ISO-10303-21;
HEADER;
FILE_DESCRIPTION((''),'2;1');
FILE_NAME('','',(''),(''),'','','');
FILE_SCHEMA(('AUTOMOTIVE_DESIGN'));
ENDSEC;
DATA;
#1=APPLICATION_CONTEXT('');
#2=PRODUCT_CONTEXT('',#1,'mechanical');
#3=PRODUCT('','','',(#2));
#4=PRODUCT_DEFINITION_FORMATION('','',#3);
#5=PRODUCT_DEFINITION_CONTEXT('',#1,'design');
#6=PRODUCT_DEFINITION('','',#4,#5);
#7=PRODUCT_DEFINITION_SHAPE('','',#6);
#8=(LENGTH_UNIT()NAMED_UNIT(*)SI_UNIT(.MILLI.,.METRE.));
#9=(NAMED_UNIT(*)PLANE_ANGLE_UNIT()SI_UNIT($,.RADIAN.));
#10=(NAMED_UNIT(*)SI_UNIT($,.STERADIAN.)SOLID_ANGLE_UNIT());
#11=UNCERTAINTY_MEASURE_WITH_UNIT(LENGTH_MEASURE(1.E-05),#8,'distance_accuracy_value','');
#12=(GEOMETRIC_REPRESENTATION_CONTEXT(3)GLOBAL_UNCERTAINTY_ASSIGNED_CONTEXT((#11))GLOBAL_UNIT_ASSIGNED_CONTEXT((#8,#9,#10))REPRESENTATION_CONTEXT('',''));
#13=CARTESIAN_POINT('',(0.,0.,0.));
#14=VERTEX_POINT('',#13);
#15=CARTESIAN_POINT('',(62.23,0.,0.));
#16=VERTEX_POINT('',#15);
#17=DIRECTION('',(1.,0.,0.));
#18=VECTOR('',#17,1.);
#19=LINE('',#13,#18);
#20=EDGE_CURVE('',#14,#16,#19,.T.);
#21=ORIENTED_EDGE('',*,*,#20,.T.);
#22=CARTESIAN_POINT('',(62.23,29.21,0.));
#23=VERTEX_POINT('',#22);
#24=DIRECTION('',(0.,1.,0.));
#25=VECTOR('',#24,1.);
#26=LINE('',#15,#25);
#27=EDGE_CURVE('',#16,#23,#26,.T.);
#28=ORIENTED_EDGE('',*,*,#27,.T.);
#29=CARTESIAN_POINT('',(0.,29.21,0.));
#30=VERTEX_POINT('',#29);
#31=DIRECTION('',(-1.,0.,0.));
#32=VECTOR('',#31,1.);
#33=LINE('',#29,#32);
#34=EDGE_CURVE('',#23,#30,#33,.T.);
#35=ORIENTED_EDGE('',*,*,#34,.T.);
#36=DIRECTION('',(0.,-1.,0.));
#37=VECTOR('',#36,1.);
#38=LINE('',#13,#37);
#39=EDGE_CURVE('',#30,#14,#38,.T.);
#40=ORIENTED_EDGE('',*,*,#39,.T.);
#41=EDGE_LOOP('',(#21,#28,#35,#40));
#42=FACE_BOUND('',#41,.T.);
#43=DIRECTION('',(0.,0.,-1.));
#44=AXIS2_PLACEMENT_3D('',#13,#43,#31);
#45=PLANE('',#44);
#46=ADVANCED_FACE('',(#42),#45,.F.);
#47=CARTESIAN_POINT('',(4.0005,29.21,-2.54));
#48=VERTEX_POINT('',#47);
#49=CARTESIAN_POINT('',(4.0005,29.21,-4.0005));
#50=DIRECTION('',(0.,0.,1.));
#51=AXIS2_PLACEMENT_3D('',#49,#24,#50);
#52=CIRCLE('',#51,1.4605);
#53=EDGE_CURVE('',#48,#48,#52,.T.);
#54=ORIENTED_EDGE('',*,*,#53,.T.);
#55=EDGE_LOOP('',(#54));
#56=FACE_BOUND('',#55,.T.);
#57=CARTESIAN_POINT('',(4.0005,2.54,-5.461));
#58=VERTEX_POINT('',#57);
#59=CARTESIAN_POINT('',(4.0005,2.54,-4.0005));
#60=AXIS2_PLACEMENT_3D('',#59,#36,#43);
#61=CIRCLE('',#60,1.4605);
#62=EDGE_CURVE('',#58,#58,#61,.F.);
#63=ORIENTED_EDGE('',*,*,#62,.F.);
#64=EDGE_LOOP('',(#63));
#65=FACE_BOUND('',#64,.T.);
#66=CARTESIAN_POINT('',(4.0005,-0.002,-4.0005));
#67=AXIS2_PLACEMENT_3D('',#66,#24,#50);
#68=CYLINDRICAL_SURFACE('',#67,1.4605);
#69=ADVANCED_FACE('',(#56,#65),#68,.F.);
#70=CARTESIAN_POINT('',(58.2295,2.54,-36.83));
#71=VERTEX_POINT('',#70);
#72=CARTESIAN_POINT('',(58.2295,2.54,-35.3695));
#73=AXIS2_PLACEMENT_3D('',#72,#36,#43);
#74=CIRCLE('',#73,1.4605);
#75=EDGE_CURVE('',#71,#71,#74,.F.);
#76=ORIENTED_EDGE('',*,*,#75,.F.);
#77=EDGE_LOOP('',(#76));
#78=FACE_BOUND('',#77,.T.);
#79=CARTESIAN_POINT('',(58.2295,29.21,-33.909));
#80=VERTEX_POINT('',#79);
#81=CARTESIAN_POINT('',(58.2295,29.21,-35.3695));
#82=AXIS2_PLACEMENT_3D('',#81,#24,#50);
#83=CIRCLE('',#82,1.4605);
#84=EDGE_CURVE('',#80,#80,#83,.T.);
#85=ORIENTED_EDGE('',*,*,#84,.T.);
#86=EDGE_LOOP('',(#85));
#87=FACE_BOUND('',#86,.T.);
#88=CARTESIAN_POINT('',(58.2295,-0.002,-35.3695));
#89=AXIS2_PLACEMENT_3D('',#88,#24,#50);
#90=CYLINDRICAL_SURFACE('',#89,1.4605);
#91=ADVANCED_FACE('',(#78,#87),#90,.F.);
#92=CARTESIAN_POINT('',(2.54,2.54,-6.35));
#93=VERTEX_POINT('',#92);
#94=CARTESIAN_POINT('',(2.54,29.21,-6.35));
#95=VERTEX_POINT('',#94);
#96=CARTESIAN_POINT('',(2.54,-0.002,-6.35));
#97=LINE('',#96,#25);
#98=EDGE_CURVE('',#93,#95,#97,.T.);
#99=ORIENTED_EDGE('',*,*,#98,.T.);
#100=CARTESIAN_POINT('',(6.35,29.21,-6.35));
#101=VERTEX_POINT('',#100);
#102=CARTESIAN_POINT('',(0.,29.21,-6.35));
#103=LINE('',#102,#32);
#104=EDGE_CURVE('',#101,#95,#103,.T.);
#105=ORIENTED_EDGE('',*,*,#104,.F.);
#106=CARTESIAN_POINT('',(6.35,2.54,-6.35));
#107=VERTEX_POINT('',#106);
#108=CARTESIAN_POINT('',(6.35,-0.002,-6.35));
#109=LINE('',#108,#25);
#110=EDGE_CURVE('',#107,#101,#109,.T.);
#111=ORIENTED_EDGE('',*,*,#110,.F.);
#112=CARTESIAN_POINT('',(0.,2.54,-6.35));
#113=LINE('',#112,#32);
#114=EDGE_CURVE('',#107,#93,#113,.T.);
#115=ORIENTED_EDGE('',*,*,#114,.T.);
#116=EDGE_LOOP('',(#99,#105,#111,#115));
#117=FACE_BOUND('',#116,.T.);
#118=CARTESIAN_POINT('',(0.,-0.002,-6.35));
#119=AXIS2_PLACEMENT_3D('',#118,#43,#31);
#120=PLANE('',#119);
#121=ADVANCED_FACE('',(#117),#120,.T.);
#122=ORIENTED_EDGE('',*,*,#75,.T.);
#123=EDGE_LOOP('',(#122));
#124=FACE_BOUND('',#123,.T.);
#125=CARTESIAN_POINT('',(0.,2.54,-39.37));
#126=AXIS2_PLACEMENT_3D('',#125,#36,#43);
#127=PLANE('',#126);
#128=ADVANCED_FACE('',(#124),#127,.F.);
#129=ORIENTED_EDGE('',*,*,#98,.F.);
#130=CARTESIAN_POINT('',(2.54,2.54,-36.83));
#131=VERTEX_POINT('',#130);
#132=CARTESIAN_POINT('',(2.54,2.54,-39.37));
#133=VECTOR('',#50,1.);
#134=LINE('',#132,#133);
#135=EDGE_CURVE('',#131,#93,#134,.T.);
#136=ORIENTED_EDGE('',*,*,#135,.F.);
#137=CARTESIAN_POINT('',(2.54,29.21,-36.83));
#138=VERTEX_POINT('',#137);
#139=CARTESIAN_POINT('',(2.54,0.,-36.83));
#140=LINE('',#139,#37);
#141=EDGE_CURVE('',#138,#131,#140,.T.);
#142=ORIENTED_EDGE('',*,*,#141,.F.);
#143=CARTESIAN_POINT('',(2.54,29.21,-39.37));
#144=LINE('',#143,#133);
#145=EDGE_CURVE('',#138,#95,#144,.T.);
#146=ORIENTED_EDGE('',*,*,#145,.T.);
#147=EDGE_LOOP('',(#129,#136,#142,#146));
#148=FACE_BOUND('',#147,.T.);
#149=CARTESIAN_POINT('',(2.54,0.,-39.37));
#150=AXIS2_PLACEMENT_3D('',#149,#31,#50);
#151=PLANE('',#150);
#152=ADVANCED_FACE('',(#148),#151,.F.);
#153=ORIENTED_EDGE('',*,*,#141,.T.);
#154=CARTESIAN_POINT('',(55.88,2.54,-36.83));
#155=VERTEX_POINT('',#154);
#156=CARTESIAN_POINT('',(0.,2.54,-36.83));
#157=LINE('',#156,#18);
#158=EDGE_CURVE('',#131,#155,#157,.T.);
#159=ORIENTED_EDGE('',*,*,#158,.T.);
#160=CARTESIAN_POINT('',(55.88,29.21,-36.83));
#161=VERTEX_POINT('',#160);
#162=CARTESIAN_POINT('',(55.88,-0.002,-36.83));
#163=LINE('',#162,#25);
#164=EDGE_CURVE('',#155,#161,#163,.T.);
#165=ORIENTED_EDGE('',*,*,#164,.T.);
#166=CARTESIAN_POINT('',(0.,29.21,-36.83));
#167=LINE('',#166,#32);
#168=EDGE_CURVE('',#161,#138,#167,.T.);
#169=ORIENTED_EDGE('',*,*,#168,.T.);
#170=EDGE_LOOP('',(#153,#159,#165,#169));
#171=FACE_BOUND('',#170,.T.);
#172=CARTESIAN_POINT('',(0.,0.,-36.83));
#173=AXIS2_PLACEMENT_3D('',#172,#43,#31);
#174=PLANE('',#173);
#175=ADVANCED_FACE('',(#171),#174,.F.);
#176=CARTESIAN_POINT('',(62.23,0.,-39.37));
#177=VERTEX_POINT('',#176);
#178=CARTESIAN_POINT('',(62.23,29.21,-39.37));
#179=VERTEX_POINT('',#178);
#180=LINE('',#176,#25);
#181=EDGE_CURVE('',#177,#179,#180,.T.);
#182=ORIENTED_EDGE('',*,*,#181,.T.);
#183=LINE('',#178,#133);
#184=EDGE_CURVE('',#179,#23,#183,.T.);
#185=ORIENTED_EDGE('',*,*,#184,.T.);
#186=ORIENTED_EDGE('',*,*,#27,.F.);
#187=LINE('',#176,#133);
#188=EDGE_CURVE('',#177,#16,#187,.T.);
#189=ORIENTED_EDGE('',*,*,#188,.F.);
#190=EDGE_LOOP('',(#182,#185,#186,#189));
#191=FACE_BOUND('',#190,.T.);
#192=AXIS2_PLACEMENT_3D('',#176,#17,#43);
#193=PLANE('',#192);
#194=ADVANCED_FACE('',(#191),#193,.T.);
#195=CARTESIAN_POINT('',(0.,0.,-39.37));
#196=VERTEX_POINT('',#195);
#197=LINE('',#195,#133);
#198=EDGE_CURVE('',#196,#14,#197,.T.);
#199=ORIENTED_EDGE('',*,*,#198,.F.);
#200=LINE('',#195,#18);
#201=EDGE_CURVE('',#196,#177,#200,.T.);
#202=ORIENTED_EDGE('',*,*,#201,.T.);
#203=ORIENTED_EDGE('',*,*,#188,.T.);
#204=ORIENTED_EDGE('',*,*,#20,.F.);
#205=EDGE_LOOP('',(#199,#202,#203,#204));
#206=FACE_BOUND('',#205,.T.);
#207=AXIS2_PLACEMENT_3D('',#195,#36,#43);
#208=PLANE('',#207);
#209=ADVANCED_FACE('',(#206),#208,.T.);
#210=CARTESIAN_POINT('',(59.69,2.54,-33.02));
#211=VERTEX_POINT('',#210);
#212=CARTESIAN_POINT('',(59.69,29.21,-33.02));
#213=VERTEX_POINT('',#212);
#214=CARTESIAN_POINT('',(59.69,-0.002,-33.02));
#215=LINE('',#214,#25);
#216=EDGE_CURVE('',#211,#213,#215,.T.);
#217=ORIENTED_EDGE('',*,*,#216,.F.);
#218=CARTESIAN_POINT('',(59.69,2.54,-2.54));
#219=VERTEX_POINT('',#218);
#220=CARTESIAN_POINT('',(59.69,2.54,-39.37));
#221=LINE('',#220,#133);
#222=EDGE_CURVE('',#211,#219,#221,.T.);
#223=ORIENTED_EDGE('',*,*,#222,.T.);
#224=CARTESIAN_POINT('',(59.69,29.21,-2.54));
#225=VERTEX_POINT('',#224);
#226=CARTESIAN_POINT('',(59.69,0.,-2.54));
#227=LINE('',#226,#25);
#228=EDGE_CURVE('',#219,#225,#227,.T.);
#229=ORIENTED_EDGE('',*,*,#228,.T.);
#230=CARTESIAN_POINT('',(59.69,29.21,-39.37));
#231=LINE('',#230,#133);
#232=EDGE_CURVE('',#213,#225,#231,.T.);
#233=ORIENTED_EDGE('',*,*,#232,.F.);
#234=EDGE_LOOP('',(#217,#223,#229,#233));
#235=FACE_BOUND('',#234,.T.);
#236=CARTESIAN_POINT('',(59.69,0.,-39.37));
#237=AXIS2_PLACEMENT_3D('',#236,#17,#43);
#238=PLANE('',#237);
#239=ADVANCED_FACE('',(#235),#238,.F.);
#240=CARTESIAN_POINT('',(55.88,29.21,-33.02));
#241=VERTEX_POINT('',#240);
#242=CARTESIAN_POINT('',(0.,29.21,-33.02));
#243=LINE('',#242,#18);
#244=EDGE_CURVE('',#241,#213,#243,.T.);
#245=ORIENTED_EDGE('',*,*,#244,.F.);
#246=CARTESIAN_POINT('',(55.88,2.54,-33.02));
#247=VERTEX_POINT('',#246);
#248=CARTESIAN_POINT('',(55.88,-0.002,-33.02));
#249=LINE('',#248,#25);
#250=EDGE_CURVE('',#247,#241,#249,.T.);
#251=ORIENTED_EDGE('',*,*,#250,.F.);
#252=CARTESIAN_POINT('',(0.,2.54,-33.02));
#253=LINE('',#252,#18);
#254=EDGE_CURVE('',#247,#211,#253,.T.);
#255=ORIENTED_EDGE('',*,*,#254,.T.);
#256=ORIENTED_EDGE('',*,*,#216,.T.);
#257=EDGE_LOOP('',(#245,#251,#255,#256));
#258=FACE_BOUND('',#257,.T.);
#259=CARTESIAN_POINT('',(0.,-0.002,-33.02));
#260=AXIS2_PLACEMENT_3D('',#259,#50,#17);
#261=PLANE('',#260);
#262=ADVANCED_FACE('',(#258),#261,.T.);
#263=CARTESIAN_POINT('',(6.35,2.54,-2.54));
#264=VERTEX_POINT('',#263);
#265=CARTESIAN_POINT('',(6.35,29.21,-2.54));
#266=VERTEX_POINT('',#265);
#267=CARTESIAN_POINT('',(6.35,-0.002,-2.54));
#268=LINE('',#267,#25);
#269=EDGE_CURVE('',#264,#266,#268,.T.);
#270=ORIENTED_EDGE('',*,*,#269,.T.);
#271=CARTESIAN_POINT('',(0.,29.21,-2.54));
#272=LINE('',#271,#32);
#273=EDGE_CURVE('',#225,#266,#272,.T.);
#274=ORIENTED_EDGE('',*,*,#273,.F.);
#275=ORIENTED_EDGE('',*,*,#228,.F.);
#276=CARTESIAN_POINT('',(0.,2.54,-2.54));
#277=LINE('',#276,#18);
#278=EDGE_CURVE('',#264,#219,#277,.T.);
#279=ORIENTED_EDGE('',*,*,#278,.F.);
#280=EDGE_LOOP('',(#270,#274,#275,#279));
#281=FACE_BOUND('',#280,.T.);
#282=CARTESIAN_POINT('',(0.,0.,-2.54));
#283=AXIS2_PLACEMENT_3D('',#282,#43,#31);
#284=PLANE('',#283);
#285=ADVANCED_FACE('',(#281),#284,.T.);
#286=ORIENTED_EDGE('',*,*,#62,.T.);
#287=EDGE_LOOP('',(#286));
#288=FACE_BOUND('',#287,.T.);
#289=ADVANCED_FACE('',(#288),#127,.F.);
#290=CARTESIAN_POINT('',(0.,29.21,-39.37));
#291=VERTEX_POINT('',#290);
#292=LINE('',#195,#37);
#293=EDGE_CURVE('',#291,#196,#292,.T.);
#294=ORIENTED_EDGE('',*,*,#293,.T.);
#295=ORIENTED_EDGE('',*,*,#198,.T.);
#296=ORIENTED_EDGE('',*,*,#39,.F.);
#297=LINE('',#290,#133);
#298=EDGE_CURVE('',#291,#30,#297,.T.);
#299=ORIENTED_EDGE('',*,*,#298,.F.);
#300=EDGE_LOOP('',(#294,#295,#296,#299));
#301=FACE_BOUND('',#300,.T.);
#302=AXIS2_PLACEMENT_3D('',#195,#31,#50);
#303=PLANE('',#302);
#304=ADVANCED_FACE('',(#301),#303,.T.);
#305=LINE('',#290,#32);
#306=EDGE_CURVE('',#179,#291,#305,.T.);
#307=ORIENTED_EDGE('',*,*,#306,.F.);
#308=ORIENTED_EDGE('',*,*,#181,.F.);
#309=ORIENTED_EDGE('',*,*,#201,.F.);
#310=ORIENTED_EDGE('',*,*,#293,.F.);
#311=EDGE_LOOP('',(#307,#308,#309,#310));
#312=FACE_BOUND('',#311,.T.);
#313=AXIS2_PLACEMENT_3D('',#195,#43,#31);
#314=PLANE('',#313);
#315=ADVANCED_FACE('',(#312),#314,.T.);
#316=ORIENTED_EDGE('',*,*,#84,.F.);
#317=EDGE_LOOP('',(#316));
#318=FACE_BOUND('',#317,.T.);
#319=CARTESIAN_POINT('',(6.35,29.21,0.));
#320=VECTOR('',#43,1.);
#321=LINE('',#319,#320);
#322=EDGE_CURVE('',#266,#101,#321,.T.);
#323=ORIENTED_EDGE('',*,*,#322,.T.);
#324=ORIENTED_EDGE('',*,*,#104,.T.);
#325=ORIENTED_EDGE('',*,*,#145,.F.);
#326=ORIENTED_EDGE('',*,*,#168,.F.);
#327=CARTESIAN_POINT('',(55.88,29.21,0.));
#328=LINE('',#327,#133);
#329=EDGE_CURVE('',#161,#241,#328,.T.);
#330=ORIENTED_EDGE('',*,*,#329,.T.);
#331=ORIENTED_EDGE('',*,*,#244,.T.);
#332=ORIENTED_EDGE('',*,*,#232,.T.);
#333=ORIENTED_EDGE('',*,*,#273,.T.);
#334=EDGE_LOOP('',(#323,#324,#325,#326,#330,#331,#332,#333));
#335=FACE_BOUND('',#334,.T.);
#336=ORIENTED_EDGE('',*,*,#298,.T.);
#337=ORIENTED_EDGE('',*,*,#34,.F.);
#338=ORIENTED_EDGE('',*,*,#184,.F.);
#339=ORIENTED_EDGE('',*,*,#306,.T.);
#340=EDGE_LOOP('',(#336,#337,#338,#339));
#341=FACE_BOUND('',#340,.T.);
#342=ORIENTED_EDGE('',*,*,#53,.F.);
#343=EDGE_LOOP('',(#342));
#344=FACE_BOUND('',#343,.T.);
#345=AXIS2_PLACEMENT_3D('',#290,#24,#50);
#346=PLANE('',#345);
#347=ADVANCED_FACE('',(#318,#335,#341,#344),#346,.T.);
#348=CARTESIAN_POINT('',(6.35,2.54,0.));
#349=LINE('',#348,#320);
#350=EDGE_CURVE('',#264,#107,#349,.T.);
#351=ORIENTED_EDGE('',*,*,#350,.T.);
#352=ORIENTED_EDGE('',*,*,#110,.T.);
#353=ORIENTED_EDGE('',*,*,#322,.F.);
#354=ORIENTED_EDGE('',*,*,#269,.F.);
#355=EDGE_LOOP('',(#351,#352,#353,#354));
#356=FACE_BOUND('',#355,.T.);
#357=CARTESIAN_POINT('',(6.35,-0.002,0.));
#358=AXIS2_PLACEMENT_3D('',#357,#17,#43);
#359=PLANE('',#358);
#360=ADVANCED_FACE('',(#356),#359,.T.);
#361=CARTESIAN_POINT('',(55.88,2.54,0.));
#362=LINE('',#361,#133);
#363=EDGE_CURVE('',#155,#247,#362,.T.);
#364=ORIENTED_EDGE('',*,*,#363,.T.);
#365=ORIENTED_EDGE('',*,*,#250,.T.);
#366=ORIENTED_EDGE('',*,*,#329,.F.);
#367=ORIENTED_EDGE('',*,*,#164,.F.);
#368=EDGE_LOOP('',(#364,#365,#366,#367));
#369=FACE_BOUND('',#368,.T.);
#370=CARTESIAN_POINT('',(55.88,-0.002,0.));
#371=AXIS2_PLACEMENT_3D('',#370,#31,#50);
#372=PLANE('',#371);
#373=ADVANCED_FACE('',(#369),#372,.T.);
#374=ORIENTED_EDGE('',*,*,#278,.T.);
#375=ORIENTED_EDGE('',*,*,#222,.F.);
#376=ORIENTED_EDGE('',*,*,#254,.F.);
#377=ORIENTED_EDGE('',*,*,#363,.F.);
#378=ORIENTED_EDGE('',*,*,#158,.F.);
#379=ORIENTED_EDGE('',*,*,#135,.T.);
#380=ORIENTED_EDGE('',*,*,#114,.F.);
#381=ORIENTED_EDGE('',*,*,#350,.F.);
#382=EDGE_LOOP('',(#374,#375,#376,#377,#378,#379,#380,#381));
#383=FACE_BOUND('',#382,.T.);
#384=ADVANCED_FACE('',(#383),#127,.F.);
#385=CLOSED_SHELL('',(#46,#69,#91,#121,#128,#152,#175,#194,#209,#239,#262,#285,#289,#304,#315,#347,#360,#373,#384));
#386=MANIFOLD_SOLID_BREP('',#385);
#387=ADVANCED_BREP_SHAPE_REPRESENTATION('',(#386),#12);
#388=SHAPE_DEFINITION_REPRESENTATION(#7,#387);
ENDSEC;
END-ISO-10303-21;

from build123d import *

# Parameters (mm, degrees)
SKETCH1_W           = 62.23
SKETCH1_H           = 29.21
BOSS_EXTRUDE1_DEPTH = 39.37
SHELL1_T            = -2.54
BOSS_EXTRUDE2_REACH = 31.21


with BuildPart() as part:
    # Sketch1 → Boss-Extrude1 (new body)
    with BuildSketch(Plane.XY):
        with Locations((31.115, 14.605)):
            Rectangle(SKETCH1_W, SKETCH1_H)
    extrude(amount=-BOSS_EXTRUDE1_DEPTH)

    # Shell1
    shell1_openings = [part.faces().sort_by_distance(p)[0] for p in [
        (31.115, 29.21, -19.685),
    ]]
    offset(amount=SHELL1_T, openings=shell1_openings, kind=Kind.INTERSECTION)

    # Sketch2 → Boss-Extrude2 (add, up to next)
    with BuildSketch(Plane(origin=(0, 29.21, 0), x_dir=(1, 0, 0), z_dir=(0, 1, 0)), mode=Mode.PRIVATE) as boss_extrude2_sk1:
        with BuildLine():
            Line((2.54, 2.54), (4.0005, 2.54))
            ThreePointArc((4.0005, 2.54), (2.967770546, 2.967770546), (2.54, 4.0005))
            Line((2.54, 4.0005), (2.54, 2.54))
        make_face()
    boss_extrude2_tool1 = extrude(boss_extrude2_sk1.sketch, amount=-BOSS_EXTRUDE2_REACH, mode=Mode.PRIVATE) - part.part
    add(boss_extrude2_tool1.solids().sort_by_distance((2.866229, 29.21, -2.866229))[0])
    # Sketch2 → Boss-Extrude2 (add, up to next)
    with BuildSketch(Plane(origin=(0, 29.21, 0), x_dir=(1, 0, 0), z_dir=(0, 1, 0)), mode=Mode.PRIVATE) as boss_extrude2_sk2:
        with BuildLine():
            ThreePointArc((58.2295, 36.83), (59.262229454, 36.402229454), (59.69, 35.3695))
            Line((59.69, 35.3695), (59.69, 36.83))
            Line((59.69, 36.83), (58.2295, 36.83))
        make_face()
    boss_extrude2_tool2 = extrude(boss_extrude2_sk2.sketch, amount=-BOSS_EXTRUDE2_REACH, mode=Mode.PRIVATE) - part.part
    add(boss_extrude2_tool2.solids().sort_by_distance((59.363771, 29.21, -36.503771))[0])
    # Sketch2 → Boss-Extrude2 (add, up to next)
    with BuildSketch(Plane(origin=(0, 29.21, 0), x_dir=(1, 0, 0), z_dir=(0, 1, 0)), mode=Mode.PRIVATE) as boss_extrude2_sk3:
        with BuildLine():
            Line((55.88, 33.02), (59.69, 33.02))
            Line((59.69, 33.02), (59.69, 35.3695))
            ThreePointArc((59.69, 35.3695), (57.196770546, 34.336770546), (58.2295, 36.83))
            Line((58.2295, 36.83), (55.88, 36.83))
            Line((55.88, 36.83), (55.88, 33.02))
        make_face()
    boss_extrude2_tool3 = extrude(boss_extrude2_sk3.sketch, amount=-BOSS_EXTRUDE2_REACH, mode=Mode.PRIVATE) - part.part
    add(boss_extrude2_tool3.solids().sort_by_distance((57.05475, 29.21, -36.776118))[0])
    # Sketch2 → Boss-Extrude2 (add, up to next)
    with BuildSketch(Plane(origin=(0, 29.21, 0), x_dir=(1, 0, 0), z_dir=(0, 1, 0)), mode=Mode.PRIVATE) as boss_extrude2_sk4:
        with BuildLine():
            Line((4.0005, 2.54), (6.35, 2.54))
            Line((6.35, 2.54), (6.35, 6.35))
            Line((6.35, 6.35), (2.54, 6.35))
            Line((2.54, 6.35), (2.54, 4.0005))
            ThreePointArc((2.54, 4.0005), (4.0005, 5.461), (5.461, 4.0005))
            ThreePointArc((5.461, 4.0005), (5.033229454, 2.967770546), (4.0005, 2.54))
        make_face()
    boss_extrude2_tool4 = extrude(boss_extrude2_sk4.sketch, amount=-BOSS_EXTRUDE2_REACH, mode=Mode.PRIVATE) - part.part
    add(boss_extrude2_tool4.solids().sort_by_distance((4.0005, 29.21, -5.514882))[0])


solid = part.part
